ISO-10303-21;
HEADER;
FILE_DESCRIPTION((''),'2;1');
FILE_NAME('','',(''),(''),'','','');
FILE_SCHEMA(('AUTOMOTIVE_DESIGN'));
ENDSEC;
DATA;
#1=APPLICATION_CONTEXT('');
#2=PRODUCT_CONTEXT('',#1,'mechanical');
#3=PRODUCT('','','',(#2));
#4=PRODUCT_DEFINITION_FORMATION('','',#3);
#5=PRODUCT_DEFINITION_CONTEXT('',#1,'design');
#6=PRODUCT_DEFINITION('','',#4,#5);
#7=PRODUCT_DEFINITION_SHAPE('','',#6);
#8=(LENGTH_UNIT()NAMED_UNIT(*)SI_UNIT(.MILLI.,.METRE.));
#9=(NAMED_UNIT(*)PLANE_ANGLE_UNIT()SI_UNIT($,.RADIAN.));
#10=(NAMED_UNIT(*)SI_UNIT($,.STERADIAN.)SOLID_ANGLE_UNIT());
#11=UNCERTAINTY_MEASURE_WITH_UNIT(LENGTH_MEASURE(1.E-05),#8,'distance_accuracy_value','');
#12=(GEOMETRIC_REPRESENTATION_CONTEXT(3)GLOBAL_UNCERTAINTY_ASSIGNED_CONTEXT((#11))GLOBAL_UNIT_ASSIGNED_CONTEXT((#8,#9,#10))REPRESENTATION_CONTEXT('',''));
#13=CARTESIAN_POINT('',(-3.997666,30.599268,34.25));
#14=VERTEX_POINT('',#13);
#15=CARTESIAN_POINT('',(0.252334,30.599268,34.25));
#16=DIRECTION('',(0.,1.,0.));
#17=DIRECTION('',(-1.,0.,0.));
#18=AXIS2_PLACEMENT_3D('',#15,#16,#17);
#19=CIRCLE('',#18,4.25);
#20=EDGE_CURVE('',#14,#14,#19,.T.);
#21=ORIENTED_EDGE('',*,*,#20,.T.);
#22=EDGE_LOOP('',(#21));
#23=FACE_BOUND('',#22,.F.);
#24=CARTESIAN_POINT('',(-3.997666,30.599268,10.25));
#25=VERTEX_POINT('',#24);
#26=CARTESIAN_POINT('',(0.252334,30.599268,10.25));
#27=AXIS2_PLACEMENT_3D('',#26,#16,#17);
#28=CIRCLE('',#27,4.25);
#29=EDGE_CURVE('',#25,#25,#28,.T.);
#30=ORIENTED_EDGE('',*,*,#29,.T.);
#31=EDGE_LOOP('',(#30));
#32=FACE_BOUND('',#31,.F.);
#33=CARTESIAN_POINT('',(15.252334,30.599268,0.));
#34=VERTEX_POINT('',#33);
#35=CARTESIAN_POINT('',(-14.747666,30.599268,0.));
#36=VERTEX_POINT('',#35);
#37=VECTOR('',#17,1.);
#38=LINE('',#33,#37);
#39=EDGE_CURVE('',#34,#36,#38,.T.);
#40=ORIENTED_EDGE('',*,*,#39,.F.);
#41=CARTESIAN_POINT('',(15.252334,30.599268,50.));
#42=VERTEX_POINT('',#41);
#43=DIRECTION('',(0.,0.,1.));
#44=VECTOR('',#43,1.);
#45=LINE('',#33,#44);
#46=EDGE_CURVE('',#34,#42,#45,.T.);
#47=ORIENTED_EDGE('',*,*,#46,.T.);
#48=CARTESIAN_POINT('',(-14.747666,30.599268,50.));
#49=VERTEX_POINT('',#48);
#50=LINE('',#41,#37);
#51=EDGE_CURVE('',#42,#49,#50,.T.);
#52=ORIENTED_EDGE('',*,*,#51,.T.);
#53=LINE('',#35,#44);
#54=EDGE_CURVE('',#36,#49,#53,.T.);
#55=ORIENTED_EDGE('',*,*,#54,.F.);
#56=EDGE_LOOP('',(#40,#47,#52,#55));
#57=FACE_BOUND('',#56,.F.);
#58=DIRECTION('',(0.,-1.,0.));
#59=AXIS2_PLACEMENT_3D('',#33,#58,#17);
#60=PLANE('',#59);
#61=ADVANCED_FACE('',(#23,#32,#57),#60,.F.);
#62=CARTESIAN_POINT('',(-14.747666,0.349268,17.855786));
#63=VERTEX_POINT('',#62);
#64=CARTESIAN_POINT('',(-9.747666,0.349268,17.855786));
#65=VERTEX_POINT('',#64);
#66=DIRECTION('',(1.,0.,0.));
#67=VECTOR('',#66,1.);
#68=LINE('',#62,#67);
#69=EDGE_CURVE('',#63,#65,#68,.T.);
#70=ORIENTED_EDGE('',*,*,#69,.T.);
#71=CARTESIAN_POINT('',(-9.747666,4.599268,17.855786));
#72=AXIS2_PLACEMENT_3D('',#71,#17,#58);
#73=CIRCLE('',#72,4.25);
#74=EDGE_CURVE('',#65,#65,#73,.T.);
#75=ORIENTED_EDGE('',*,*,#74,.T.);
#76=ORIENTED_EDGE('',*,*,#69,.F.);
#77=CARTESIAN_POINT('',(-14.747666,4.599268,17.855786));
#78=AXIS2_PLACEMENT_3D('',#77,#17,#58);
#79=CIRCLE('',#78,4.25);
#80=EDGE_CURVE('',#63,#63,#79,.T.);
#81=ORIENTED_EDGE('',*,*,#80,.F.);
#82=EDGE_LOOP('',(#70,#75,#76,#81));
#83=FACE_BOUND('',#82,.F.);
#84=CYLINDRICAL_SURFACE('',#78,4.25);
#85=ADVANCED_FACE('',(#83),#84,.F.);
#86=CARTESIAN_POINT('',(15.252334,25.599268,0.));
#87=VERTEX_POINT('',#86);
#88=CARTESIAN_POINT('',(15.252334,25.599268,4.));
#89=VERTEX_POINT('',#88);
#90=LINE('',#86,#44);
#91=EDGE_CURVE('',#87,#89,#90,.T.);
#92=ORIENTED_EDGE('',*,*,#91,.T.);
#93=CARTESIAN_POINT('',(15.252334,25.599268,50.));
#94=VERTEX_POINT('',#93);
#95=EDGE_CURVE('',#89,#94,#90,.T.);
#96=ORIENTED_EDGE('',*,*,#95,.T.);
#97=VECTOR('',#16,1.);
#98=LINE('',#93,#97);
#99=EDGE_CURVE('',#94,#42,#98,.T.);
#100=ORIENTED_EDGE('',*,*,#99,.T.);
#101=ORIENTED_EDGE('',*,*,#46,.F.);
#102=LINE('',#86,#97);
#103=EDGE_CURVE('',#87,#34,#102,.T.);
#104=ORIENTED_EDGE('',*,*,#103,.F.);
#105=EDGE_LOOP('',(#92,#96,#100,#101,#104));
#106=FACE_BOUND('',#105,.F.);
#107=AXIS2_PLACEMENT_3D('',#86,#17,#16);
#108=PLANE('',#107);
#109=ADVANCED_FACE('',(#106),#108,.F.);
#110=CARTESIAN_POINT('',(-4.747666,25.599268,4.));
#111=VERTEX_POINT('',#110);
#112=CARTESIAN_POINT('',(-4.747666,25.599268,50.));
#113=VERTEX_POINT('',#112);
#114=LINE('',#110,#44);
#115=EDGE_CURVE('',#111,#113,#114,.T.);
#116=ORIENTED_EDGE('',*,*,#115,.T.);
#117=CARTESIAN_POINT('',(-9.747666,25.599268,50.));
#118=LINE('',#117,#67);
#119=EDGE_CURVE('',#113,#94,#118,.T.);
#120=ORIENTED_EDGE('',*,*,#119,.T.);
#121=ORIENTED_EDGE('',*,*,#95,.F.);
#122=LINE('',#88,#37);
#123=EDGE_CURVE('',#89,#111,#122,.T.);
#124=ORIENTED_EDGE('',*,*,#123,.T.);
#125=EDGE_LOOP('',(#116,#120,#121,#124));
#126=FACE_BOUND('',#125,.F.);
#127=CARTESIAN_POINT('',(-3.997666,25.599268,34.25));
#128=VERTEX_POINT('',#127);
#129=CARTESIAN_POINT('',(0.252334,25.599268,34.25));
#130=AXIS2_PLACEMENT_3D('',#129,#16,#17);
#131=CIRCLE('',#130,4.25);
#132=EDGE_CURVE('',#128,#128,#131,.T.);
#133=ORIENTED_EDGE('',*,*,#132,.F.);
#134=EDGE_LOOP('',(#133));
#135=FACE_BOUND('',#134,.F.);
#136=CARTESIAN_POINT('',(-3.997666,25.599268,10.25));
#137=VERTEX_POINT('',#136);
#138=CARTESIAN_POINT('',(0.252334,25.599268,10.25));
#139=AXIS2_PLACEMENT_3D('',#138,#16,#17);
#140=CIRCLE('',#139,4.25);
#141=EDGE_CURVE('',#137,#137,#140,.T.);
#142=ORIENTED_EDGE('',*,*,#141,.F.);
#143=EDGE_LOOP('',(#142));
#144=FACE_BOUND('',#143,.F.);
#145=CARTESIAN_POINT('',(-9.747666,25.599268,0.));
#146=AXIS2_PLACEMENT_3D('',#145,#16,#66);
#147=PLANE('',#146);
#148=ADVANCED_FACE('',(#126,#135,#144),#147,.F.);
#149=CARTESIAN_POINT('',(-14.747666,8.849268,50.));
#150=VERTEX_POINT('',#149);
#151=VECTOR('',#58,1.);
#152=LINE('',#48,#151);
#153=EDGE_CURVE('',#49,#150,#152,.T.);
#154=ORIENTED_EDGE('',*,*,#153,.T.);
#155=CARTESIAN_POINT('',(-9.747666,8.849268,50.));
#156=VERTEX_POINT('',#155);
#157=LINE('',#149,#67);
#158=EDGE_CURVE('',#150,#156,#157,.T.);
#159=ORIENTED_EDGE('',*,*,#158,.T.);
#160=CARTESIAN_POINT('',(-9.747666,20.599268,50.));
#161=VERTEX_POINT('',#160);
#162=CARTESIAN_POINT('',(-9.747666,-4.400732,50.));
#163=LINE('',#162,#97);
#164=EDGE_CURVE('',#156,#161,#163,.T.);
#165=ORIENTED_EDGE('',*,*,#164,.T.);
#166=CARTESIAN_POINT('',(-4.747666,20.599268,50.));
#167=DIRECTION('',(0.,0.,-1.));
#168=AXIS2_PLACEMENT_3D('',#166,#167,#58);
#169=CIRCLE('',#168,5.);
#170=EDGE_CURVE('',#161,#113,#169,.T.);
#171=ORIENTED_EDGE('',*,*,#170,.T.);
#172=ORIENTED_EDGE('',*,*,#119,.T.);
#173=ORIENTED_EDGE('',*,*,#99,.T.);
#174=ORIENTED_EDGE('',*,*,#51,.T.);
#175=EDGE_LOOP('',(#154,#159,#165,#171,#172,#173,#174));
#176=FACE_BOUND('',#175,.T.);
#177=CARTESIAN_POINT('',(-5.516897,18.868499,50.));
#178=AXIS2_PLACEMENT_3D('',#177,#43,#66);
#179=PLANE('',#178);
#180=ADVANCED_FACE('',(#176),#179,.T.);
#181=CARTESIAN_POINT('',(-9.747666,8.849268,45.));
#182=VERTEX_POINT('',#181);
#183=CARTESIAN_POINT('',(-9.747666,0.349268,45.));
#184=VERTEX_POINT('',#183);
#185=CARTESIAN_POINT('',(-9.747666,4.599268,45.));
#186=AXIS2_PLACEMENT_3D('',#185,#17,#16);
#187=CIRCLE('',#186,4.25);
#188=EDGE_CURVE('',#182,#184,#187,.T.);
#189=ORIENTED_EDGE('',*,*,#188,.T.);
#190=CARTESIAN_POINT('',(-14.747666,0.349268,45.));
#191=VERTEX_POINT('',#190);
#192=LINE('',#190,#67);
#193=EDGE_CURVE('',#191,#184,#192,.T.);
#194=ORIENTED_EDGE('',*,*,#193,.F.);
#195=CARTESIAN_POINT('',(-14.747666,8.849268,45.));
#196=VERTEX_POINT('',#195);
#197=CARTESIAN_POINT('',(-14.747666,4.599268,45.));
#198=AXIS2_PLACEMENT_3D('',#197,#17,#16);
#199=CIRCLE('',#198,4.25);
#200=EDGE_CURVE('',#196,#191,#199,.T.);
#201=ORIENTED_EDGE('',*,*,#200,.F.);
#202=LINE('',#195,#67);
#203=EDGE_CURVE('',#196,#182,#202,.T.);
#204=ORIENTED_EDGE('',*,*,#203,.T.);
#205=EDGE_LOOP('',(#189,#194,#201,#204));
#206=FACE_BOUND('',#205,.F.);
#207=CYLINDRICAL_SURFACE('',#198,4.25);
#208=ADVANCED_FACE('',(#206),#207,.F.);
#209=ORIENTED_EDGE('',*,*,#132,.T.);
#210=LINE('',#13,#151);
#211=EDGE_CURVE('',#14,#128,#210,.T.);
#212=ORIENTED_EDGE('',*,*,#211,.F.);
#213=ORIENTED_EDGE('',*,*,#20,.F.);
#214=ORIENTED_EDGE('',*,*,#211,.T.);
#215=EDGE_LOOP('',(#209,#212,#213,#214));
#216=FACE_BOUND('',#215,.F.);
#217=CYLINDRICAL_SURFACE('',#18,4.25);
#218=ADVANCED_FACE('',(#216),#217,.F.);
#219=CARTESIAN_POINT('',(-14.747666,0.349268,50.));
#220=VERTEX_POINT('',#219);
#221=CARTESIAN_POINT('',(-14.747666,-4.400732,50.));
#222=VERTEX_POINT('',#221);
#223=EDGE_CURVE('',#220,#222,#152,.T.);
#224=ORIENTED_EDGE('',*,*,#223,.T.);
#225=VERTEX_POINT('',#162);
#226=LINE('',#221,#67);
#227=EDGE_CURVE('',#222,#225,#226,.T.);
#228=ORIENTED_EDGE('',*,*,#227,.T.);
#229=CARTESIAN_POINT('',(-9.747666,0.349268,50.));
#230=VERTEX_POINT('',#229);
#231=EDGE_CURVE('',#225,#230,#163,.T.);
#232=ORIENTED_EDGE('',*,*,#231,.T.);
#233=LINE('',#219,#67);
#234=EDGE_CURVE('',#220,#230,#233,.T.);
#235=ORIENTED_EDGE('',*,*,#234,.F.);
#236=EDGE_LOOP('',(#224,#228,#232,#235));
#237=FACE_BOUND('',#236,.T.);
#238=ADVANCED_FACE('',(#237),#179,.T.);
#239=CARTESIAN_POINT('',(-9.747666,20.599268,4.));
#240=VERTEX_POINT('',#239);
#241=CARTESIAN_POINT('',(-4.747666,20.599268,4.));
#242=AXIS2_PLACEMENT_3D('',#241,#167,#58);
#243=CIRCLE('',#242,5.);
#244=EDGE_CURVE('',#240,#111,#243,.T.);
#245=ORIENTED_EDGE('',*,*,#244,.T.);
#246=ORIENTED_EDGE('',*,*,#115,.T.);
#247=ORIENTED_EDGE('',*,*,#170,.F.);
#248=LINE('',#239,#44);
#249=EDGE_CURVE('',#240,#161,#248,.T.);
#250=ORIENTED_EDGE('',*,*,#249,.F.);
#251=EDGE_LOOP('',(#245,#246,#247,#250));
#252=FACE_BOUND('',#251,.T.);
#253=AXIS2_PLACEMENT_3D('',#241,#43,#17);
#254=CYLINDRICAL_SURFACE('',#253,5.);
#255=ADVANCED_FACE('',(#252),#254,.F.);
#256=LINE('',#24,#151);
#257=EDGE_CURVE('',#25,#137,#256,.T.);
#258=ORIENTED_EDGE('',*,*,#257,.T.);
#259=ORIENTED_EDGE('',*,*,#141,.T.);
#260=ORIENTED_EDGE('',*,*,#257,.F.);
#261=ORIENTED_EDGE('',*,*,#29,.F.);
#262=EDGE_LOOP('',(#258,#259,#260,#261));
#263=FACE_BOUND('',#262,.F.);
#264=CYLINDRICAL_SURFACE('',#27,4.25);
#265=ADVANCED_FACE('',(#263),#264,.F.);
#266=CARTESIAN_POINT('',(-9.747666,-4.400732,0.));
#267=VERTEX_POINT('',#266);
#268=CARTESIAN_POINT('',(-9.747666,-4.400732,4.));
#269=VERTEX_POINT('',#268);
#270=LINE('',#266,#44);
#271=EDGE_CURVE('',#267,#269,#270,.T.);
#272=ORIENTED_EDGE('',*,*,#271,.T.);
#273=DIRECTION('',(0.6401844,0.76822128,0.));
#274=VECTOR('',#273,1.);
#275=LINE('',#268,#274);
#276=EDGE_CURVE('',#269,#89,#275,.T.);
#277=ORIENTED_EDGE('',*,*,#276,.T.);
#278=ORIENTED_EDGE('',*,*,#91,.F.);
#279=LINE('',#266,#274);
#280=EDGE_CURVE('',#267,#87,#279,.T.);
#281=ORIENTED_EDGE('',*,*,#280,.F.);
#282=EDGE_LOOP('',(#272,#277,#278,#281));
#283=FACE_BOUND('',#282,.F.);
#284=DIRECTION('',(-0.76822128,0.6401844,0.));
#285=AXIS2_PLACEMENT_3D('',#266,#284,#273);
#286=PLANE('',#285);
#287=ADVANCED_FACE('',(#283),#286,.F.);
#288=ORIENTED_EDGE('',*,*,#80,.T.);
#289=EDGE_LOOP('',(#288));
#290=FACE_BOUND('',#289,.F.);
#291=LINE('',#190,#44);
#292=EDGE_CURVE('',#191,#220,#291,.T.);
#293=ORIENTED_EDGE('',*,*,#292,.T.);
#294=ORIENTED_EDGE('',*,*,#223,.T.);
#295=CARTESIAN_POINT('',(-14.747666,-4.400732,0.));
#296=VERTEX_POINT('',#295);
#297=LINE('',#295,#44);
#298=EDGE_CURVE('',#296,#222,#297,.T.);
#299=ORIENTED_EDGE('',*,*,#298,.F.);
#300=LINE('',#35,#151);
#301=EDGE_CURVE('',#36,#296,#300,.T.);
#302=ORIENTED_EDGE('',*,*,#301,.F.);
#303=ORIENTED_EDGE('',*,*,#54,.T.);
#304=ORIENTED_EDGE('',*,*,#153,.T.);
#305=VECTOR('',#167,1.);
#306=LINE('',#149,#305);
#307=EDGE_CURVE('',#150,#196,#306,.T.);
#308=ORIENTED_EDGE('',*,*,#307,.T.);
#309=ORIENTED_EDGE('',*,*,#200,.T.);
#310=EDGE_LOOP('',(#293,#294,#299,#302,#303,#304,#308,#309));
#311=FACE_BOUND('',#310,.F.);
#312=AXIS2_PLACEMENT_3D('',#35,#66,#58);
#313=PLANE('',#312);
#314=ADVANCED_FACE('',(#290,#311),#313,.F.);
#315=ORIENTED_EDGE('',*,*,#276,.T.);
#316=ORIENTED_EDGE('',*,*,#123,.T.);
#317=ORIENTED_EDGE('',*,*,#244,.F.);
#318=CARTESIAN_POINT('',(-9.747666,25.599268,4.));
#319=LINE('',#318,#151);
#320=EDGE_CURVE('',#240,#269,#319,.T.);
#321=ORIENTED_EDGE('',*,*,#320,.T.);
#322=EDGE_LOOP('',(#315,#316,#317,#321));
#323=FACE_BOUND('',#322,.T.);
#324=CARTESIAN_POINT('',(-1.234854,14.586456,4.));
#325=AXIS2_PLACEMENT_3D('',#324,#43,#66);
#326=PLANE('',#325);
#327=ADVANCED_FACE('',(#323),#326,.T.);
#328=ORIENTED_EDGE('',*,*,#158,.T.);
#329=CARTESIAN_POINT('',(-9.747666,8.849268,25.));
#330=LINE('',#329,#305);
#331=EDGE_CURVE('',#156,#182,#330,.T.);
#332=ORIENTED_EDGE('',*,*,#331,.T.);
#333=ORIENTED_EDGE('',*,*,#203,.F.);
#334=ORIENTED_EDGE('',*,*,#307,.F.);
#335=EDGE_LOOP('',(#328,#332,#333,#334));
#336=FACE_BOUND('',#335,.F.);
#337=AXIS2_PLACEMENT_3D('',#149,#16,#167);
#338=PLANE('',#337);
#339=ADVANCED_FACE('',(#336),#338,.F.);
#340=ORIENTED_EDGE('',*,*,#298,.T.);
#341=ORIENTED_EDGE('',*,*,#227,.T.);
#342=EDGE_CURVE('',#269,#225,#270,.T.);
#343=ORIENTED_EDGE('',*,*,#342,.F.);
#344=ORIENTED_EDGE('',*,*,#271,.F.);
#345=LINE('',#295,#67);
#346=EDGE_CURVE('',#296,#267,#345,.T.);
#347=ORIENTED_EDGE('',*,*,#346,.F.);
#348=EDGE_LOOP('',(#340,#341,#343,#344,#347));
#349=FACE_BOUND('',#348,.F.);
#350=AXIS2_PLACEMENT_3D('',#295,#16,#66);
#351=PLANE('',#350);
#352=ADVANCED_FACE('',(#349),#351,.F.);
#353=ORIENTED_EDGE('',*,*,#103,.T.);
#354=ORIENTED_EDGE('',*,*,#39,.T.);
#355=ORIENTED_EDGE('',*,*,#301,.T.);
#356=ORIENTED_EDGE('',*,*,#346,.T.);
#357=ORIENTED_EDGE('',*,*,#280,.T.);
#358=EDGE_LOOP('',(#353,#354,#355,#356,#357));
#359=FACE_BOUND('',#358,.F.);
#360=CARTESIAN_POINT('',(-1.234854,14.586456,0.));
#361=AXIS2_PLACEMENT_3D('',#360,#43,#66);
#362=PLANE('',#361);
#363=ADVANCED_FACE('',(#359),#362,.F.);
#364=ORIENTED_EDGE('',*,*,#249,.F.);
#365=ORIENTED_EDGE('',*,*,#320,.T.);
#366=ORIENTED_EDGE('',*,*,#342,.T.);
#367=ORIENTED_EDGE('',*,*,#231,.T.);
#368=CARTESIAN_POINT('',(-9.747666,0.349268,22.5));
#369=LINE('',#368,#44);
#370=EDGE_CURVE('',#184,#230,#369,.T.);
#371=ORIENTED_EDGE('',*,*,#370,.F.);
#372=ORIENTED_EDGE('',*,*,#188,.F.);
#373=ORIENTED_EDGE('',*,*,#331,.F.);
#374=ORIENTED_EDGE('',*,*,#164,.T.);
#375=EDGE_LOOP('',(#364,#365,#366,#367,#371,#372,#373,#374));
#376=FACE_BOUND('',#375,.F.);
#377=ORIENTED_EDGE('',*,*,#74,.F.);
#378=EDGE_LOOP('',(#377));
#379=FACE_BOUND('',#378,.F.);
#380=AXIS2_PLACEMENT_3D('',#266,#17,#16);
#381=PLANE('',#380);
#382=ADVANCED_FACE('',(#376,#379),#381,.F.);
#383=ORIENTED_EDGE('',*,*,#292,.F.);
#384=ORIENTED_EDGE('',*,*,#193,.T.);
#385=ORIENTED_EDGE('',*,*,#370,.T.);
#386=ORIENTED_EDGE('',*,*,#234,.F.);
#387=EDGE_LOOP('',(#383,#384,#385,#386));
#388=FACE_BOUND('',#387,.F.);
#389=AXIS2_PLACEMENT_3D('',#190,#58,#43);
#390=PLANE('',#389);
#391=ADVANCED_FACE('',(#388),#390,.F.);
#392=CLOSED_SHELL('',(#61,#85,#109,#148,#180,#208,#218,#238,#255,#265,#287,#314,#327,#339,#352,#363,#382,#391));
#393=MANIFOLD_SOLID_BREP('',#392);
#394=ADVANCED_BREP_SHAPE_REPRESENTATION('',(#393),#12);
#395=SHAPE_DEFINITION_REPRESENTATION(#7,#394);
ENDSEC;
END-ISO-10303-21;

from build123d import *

# Parameters (mm, degrees)
F1_DEPTH = 50
F2_DEPTH = 4
F3_R     = 4.25
F4_DEPTH = 25
F5_R     = 4.25
F6_DEPTH = 25
F7_R     = 5


with BuildPart() as f1:
    # F0 (on Top) → F1 (new body)
    with BuildSketch(Plane.XY):
        Polygon((-14.747666, -4.400732), (-9.747666, -4.400732), (-9.747666, 25.599268), (15.252334, 25.599268), (15.252334, 30.599268), (-14.747666, 30.599268), align=None)
    extrude(amount=F1_DEPTH)

    # F0 (on Top) → F2 (join)
    with BuildSketch(Plane.XY):
        Polygon((-9.747666, 25.599268), (-9.747666, -4.400732), (15.252334, 25.599268), align=None)
    extrude(amount=F2_DEPTH)

    # F3 (on face) → F4 (cut)
    with BuildSketch(Plane(origin=(-14.747666, 0, 0), x_dir=(0, -1, 0), z_dir=(-1, 0, 0))):
        with Locations((-4.599268, 17.855786)):
            Circle(F3_R)
        with BuildLine():
            ThreePointArc((-0.349268, 45), (-4.599268, 49.25), (-8.849268, 45))
            ThreePointArc((-8.849268, 45), (-4.599268, 40.75), (-0.349268, 45))
        make_face()
        with BuildLine():
            Line((-0.349268, 50), (-8.849268, 50))
            Line((-8.849268, 50), (-8.849268, 45))
            ThreePointArc((-8.849268, 45), (-4.599268, 49.25), (-0.349268, 45))
            Line((-0.349268, 45), (-0.349268, 50))
        make_face()
    extrude(amount=-F4_DEPTH, mode=Mode.SUBTRACT)

    # F5 (on face) → F6 (cut)
    with BuildSketch(Plane(origin=(0, 30.599268, 0), x_dir=(-1, 0, 0), z_dir=(0, 1, 0))):
        with Locations((-0.252334, 34.25)):
            Circle(F5_R)
        with Locations((-0.252334, 10.25)):
            Circle(F5_R)
    extrude(amount=-F6_DEPTH, mode=Mode.SUBTRACT)

    # F7
    f7_edges = [f1.edges().sort_by_distance(p)[0] for p in [
        (-9.747666, 25.599268, 27),
    ]]
    fillet(f7_edges, radius=F7_R)


solid = f1.part
